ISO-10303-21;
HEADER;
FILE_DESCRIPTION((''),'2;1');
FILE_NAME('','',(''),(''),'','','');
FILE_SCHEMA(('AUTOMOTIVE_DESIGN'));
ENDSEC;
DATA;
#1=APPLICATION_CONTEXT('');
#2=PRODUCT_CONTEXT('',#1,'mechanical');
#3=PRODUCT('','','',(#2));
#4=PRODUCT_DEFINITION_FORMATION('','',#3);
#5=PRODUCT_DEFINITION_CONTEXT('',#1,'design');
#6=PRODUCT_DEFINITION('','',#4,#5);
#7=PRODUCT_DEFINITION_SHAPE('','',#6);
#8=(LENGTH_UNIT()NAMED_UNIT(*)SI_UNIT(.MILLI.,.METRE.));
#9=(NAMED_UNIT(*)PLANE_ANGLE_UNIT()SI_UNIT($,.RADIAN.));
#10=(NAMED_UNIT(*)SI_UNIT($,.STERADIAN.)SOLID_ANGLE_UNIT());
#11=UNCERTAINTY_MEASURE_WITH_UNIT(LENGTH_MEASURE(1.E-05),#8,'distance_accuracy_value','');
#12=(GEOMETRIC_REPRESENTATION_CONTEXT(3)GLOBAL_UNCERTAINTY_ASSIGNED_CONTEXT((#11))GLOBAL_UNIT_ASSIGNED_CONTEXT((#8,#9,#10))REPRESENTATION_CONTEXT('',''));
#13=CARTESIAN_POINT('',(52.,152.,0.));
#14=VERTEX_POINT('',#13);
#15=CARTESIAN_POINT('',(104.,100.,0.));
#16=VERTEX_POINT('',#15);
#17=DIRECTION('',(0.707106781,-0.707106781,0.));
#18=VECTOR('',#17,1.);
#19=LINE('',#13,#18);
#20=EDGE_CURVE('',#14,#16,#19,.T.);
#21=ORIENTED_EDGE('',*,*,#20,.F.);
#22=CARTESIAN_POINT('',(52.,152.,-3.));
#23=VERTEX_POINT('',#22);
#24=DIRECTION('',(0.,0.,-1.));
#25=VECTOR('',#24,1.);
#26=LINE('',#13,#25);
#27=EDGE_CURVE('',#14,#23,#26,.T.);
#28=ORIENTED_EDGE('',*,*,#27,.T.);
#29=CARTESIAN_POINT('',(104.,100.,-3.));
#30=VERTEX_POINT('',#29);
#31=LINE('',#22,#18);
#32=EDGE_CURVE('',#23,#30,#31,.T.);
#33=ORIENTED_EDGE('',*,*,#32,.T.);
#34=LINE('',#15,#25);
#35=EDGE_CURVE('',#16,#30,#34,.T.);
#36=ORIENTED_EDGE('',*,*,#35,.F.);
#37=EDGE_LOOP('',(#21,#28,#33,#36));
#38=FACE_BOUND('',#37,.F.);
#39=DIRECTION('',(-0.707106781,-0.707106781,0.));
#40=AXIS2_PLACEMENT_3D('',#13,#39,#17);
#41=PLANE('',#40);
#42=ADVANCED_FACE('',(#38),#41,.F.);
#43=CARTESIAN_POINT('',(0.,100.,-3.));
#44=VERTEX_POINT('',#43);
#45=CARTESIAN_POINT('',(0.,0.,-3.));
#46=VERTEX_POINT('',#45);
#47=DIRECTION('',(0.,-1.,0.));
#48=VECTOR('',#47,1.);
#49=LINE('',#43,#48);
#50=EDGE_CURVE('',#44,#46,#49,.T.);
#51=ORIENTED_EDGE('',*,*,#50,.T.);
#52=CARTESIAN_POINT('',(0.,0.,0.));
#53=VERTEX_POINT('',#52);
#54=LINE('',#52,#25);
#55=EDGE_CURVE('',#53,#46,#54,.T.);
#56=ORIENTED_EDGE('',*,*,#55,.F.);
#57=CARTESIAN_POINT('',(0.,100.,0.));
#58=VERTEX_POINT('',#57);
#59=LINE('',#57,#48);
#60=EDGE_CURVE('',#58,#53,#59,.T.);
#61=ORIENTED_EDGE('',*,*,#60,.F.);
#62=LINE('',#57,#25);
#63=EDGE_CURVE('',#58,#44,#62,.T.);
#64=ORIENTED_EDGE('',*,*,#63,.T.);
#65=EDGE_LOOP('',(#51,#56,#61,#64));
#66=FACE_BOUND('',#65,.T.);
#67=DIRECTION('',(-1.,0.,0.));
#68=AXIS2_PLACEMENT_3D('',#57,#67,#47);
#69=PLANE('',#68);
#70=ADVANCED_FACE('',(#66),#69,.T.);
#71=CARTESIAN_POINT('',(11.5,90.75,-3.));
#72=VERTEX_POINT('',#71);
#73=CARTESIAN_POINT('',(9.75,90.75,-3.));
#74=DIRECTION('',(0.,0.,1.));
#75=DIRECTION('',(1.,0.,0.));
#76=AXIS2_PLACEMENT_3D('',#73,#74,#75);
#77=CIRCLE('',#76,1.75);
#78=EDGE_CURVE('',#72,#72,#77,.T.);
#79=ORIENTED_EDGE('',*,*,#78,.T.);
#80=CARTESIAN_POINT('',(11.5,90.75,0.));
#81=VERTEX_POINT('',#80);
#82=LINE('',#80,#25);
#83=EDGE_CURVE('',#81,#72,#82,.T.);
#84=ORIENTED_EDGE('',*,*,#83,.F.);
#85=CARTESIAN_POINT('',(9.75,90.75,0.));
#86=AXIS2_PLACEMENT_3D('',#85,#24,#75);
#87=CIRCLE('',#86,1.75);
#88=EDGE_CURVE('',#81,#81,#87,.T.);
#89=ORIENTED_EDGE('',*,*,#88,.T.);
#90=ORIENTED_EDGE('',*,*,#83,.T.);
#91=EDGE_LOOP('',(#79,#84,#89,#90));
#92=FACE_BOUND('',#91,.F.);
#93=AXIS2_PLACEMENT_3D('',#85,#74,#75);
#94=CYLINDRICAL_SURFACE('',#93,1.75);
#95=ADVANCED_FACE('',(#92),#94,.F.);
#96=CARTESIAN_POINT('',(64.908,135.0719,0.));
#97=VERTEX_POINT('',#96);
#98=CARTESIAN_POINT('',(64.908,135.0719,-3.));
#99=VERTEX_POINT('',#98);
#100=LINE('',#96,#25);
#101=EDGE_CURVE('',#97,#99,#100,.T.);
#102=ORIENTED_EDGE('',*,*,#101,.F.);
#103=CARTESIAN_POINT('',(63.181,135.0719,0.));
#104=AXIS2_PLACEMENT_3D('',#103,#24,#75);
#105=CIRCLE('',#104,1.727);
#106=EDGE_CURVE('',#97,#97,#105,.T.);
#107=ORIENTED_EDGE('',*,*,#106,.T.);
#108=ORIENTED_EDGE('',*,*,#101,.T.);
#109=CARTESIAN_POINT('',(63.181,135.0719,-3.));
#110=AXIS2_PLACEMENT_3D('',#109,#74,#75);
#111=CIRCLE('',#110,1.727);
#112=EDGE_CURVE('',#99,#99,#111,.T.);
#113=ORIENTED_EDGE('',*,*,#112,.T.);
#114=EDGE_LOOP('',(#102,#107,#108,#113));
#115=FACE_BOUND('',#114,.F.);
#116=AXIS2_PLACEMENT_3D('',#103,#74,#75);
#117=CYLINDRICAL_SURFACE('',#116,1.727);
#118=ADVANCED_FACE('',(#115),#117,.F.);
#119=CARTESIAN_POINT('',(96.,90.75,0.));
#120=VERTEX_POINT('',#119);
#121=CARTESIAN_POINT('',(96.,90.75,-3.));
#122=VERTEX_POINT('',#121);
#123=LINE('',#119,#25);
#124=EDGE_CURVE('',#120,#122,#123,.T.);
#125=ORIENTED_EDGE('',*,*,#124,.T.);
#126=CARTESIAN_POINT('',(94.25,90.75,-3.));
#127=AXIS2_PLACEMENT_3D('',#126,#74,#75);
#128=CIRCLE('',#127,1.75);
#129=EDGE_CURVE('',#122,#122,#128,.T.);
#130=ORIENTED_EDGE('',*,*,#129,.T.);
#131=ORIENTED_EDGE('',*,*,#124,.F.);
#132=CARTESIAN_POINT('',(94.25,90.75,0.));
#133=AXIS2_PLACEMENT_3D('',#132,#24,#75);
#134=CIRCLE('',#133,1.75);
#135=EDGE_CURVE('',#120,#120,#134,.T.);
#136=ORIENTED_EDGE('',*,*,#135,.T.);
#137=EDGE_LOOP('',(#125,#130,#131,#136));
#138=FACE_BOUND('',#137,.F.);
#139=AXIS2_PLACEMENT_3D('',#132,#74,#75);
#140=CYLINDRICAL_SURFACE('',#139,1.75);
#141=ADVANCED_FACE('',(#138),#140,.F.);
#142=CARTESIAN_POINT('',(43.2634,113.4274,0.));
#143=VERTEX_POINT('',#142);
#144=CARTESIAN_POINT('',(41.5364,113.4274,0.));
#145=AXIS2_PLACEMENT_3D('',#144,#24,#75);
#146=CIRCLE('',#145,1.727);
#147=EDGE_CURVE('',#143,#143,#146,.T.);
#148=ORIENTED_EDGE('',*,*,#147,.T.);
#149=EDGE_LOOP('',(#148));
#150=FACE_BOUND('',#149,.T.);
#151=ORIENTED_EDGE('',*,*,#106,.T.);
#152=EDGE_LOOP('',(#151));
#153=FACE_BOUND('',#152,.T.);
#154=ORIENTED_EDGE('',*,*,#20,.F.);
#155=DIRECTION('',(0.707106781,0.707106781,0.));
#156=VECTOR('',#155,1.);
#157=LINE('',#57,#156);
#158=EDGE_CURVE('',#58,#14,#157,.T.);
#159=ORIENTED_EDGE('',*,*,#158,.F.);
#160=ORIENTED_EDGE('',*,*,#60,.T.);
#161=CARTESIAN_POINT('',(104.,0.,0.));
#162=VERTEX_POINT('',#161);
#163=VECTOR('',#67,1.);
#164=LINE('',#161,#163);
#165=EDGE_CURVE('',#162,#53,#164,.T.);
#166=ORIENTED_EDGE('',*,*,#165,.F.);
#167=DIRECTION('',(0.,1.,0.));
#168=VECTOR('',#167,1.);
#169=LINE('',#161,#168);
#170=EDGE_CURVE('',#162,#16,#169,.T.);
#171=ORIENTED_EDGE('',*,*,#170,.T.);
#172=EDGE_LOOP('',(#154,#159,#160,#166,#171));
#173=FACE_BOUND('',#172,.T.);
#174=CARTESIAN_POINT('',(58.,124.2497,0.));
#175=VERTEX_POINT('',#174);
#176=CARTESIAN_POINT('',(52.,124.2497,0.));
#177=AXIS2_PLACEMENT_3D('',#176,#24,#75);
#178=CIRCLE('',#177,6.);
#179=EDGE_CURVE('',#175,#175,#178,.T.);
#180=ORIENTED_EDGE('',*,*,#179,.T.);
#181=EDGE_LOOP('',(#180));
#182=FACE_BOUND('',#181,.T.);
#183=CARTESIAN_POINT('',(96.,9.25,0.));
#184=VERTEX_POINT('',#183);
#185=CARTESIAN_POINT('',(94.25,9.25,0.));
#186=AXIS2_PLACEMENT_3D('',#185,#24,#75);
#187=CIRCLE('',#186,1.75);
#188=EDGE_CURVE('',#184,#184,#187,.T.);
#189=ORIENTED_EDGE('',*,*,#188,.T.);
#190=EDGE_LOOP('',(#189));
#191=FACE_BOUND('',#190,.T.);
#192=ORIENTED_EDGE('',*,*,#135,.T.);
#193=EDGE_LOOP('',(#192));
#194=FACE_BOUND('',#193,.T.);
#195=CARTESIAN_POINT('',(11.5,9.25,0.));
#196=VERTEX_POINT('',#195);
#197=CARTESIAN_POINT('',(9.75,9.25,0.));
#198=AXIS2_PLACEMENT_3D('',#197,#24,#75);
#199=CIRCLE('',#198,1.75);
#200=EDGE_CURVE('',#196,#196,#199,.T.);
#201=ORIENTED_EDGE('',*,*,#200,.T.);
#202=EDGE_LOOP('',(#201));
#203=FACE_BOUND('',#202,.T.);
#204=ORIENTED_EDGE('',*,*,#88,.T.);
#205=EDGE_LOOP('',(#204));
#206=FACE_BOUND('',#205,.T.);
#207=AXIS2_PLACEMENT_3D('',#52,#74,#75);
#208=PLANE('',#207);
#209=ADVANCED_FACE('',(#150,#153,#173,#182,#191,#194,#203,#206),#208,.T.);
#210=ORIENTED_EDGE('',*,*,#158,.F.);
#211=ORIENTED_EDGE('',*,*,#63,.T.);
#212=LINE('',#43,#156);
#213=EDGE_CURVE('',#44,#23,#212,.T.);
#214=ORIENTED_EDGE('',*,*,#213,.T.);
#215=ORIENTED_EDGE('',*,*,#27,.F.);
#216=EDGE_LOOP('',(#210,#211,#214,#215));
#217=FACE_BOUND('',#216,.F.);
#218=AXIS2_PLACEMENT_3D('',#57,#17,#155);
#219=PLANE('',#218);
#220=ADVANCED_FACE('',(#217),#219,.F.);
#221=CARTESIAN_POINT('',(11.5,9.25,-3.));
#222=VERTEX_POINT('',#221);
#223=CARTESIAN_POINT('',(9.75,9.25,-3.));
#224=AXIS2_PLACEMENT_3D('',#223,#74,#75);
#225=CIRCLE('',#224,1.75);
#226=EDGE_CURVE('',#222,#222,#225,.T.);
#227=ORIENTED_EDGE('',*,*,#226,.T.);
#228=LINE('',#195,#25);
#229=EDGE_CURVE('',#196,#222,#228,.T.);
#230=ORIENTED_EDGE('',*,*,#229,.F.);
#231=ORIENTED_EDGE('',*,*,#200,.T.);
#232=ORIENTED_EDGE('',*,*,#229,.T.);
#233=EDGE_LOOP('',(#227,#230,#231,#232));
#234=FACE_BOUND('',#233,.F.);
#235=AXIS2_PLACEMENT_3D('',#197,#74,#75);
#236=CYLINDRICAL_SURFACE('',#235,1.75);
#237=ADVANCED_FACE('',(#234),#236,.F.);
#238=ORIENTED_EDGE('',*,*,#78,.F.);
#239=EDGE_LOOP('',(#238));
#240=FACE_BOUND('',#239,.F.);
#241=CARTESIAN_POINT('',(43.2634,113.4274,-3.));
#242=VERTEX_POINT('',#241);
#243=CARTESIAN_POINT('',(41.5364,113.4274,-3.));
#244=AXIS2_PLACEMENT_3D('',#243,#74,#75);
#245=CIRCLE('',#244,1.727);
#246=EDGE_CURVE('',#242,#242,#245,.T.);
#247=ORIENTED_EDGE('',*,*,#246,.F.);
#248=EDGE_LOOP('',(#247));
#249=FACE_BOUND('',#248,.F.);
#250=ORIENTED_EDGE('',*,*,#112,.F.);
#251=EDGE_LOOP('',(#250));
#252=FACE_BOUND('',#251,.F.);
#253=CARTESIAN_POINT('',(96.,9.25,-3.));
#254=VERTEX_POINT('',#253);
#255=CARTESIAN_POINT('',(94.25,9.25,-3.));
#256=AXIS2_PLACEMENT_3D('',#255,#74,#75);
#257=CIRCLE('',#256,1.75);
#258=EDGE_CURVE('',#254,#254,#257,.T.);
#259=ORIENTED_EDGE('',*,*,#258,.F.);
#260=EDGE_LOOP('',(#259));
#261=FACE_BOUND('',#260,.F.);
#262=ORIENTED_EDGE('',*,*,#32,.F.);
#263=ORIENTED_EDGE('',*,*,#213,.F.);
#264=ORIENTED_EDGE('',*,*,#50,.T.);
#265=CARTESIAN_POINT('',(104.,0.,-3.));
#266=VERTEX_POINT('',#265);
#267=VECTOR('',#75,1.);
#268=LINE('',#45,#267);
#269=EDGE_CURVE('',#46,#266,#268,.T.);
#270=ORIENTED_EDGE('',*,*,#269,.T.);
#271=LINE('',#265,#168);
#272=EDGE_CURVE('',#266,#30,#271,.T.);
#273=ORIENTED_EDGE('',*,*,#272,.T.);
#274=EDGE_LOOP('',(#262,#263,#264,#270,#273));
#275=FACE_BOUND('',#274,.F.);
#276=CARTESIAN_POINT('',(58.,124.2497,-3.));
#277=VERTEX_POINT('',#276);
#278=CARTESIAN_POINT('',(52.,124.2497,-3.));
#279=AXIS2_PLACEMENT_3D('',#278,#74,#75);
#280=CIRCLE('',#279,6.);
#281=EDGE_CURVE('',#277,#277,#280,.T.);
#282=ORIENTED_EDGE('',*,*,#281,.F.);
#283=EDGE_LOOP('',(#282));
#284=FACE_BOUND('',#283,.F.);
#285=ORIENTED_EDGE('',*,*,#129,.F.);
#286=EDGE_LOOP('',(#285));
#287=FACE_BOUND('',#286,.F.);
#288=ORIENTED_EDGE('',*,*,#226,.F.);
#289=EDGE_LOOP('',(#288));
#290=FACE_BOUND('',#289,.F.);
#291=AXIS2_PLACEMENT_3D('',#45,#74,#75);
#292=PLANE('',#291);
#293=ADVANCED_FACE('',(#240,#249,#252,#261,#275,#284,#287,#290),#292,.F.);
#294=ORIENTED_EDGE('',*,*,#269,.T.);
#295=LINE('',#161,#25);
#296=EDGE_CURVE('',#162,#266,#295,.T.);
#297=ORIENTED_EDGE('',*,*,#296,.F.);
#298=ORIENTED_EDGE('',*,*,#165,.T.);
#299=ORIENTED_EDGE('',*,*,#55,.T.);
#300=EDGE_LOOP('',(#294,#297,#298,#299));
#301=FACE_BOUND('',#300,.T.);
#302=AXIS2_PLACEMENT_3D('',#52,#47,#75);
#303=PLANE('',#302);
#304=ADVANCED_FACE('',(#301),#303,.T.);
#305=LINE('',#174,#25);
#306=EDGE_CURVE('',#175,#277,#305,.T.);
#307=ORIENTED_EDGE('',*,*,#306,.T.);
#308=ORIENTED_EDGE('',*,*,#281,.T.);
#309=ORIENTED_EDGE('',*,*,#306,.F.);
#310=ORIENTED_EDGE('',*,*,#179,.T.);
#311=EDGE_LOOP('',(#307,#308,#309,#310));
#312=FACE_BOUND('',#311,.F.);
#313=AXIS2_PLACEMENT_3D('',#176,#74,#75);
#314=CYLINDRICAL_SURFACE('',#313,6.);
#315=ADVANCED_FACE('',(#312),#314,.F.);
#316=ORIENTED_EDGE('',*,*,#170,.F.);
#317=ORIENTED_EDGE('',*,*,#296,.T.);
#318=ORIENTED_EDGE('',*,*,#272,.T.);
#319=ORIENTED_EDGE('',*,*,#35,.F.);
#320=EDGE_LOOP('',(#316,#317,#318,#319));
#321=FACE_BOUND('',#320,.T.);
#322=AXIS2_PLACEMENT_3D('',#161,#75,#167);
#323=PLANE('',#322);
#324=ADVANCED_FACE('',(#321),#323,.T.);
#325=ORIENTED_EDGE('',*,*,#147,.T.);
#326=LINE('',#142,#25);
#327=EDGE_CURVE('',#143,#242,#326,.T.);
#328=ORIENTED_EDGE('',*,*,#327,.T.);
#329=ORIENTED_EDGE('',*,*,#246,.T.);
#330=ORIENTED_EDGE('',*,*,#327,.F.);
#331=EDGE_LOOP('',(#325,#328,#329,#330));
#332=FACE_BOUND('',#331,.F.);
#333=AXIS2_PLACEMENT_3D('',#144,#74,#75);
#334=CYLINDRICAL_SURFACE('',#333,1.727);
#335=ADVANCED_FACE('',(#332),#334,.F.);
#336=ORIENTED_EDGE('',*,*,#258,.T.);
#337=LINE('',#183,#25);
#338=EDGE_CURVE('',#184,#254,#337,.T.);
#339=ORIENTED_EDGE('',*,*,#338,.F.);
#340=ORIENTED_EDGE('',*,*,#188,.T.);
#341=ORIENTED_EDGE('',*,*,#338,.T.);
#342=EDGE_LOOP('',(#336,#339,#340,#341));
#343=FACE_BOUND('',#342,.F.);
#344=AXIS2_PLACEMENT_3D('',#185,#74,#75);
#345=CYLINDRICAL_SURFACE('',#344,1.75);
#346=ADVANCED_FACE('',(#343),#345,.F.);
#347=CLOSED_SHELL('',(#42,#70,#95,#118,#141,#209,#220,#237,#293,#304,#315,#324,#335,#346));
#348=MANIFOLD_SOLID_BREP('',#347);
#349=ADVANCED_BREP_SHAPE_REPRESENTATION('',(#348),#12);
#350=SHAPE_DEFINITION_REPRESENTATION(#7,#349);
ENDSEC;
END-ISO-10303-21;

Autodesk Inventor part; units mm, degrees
ref_plane "YZ Plane" through (0, 0, 0) normal (1, 0, 0) x (0, 1, 0)
ref_plane "XZ Plane" through (0, 0, 0) normal (0, 1, 0) x (-1, 0, 0)
ref_plane "XY Plane" through (0, 0, 0) normal (0, 0, 1) x (1, 0, 0)
sketch "Sketch2" plane through (0, 0, 0) normal (0, 0, 1) x (1, 0, 0)
  line L0 (0, 0) -> (104, 0)
  line L1 (104, 0) -> (104, 100)
  line L2 (104, 100) -> (0, 100)
  line L3 (0, 100) -> (0, 0)
  line L4 (0, 100) -> (52, 152)
  line L5 (0, 100) -> (73.5391, 100) construction
  line L6 (52, 152) -> (104, 100)
  line L7 (9.75, 100) -> (9.75, 0)
  line L8 (94.25, 100) -> (94.25, 0)
  circle A0 centre (9.75, 9.25) radius 1.75
  circle A1 centre (9.75, 90.75) radius 1.75
  line L9 (9.75, 90.75) -> (94.25, 90.75)
  line L10 (9.75, 9.25) -> (94.25, 9.25)
  circle A2 centre (94.25, 90.75) radius 1.75
  circle A3 centre (94.25, 9.25) radius 1.75
  dimension "d0" = 104
  dimension "d1" = 100
  dimension "d2" = 45
  dimension "d3" = 73.5391
  dimension "d4" = 9.75
  dimension "d5" = 9.75
  dimension "d6" = 9.25
  dimension "d7" = 90.75
  dimension "d8" = 3.5
  dimension "d9" = 3.5
  dimension "d10" = 3.5
  dimension "d11" = 3.5
extrude "Extrusion1" add sketch "Sketch2" against normal blind 3 contours L3 L2 L7 A1 A0 L0 | L7 A0 L10 A3 L8 L0 | L4 L6 L2 | L8 A3 A2 L2 L1 L0 | L2 L8 A2 L9 A1 L7 | L7 A1 L9 A2 L8 A3 L10 A0
sketch "Sketch3" plane through (0, 0, 0) normal (0, 0, 1) x (1, 0, 0)
  line L0 (0, 100) -> (52, 152) projected
  line L1 (52, 152) -> (52, 0)
  circle A0 centre (52, 124.2497) radius 6
  line L2 (41.5364, 135.0719) -> (63.181, 135.0719)
  line L3 (63.181, 135.0719) -> (63.181, 113.4274)
  line L4 (63.181, 113.4274) -> (41.5364, 113.4274)
  line L5 (41.5364, 113.4274) -> (41.5364, 135.0719)
  circle A1 centre (63.181, 135.0719) radius 1.727
  circle A2 centre (41.5364, 113.4274) radius 1.727
  point P0 (0, 0)
  point P1 (52.3587, 113.4274)
  dimension "d14" = 12
  dimension "d18" = 30.61
  dimension "d19" = 3.454
  dimension "d20" = 3.454
  dimension "d21" = 10.8223
extrude "Extrusion2" cut sketch "Sketch3" against normal blind 3 contours A0 L1 | L1 A0 | A1 L3 L2 | L2 L3 A1 | A2 L4 L5 | L5 L4 A2
properties part number "DekselCase"
